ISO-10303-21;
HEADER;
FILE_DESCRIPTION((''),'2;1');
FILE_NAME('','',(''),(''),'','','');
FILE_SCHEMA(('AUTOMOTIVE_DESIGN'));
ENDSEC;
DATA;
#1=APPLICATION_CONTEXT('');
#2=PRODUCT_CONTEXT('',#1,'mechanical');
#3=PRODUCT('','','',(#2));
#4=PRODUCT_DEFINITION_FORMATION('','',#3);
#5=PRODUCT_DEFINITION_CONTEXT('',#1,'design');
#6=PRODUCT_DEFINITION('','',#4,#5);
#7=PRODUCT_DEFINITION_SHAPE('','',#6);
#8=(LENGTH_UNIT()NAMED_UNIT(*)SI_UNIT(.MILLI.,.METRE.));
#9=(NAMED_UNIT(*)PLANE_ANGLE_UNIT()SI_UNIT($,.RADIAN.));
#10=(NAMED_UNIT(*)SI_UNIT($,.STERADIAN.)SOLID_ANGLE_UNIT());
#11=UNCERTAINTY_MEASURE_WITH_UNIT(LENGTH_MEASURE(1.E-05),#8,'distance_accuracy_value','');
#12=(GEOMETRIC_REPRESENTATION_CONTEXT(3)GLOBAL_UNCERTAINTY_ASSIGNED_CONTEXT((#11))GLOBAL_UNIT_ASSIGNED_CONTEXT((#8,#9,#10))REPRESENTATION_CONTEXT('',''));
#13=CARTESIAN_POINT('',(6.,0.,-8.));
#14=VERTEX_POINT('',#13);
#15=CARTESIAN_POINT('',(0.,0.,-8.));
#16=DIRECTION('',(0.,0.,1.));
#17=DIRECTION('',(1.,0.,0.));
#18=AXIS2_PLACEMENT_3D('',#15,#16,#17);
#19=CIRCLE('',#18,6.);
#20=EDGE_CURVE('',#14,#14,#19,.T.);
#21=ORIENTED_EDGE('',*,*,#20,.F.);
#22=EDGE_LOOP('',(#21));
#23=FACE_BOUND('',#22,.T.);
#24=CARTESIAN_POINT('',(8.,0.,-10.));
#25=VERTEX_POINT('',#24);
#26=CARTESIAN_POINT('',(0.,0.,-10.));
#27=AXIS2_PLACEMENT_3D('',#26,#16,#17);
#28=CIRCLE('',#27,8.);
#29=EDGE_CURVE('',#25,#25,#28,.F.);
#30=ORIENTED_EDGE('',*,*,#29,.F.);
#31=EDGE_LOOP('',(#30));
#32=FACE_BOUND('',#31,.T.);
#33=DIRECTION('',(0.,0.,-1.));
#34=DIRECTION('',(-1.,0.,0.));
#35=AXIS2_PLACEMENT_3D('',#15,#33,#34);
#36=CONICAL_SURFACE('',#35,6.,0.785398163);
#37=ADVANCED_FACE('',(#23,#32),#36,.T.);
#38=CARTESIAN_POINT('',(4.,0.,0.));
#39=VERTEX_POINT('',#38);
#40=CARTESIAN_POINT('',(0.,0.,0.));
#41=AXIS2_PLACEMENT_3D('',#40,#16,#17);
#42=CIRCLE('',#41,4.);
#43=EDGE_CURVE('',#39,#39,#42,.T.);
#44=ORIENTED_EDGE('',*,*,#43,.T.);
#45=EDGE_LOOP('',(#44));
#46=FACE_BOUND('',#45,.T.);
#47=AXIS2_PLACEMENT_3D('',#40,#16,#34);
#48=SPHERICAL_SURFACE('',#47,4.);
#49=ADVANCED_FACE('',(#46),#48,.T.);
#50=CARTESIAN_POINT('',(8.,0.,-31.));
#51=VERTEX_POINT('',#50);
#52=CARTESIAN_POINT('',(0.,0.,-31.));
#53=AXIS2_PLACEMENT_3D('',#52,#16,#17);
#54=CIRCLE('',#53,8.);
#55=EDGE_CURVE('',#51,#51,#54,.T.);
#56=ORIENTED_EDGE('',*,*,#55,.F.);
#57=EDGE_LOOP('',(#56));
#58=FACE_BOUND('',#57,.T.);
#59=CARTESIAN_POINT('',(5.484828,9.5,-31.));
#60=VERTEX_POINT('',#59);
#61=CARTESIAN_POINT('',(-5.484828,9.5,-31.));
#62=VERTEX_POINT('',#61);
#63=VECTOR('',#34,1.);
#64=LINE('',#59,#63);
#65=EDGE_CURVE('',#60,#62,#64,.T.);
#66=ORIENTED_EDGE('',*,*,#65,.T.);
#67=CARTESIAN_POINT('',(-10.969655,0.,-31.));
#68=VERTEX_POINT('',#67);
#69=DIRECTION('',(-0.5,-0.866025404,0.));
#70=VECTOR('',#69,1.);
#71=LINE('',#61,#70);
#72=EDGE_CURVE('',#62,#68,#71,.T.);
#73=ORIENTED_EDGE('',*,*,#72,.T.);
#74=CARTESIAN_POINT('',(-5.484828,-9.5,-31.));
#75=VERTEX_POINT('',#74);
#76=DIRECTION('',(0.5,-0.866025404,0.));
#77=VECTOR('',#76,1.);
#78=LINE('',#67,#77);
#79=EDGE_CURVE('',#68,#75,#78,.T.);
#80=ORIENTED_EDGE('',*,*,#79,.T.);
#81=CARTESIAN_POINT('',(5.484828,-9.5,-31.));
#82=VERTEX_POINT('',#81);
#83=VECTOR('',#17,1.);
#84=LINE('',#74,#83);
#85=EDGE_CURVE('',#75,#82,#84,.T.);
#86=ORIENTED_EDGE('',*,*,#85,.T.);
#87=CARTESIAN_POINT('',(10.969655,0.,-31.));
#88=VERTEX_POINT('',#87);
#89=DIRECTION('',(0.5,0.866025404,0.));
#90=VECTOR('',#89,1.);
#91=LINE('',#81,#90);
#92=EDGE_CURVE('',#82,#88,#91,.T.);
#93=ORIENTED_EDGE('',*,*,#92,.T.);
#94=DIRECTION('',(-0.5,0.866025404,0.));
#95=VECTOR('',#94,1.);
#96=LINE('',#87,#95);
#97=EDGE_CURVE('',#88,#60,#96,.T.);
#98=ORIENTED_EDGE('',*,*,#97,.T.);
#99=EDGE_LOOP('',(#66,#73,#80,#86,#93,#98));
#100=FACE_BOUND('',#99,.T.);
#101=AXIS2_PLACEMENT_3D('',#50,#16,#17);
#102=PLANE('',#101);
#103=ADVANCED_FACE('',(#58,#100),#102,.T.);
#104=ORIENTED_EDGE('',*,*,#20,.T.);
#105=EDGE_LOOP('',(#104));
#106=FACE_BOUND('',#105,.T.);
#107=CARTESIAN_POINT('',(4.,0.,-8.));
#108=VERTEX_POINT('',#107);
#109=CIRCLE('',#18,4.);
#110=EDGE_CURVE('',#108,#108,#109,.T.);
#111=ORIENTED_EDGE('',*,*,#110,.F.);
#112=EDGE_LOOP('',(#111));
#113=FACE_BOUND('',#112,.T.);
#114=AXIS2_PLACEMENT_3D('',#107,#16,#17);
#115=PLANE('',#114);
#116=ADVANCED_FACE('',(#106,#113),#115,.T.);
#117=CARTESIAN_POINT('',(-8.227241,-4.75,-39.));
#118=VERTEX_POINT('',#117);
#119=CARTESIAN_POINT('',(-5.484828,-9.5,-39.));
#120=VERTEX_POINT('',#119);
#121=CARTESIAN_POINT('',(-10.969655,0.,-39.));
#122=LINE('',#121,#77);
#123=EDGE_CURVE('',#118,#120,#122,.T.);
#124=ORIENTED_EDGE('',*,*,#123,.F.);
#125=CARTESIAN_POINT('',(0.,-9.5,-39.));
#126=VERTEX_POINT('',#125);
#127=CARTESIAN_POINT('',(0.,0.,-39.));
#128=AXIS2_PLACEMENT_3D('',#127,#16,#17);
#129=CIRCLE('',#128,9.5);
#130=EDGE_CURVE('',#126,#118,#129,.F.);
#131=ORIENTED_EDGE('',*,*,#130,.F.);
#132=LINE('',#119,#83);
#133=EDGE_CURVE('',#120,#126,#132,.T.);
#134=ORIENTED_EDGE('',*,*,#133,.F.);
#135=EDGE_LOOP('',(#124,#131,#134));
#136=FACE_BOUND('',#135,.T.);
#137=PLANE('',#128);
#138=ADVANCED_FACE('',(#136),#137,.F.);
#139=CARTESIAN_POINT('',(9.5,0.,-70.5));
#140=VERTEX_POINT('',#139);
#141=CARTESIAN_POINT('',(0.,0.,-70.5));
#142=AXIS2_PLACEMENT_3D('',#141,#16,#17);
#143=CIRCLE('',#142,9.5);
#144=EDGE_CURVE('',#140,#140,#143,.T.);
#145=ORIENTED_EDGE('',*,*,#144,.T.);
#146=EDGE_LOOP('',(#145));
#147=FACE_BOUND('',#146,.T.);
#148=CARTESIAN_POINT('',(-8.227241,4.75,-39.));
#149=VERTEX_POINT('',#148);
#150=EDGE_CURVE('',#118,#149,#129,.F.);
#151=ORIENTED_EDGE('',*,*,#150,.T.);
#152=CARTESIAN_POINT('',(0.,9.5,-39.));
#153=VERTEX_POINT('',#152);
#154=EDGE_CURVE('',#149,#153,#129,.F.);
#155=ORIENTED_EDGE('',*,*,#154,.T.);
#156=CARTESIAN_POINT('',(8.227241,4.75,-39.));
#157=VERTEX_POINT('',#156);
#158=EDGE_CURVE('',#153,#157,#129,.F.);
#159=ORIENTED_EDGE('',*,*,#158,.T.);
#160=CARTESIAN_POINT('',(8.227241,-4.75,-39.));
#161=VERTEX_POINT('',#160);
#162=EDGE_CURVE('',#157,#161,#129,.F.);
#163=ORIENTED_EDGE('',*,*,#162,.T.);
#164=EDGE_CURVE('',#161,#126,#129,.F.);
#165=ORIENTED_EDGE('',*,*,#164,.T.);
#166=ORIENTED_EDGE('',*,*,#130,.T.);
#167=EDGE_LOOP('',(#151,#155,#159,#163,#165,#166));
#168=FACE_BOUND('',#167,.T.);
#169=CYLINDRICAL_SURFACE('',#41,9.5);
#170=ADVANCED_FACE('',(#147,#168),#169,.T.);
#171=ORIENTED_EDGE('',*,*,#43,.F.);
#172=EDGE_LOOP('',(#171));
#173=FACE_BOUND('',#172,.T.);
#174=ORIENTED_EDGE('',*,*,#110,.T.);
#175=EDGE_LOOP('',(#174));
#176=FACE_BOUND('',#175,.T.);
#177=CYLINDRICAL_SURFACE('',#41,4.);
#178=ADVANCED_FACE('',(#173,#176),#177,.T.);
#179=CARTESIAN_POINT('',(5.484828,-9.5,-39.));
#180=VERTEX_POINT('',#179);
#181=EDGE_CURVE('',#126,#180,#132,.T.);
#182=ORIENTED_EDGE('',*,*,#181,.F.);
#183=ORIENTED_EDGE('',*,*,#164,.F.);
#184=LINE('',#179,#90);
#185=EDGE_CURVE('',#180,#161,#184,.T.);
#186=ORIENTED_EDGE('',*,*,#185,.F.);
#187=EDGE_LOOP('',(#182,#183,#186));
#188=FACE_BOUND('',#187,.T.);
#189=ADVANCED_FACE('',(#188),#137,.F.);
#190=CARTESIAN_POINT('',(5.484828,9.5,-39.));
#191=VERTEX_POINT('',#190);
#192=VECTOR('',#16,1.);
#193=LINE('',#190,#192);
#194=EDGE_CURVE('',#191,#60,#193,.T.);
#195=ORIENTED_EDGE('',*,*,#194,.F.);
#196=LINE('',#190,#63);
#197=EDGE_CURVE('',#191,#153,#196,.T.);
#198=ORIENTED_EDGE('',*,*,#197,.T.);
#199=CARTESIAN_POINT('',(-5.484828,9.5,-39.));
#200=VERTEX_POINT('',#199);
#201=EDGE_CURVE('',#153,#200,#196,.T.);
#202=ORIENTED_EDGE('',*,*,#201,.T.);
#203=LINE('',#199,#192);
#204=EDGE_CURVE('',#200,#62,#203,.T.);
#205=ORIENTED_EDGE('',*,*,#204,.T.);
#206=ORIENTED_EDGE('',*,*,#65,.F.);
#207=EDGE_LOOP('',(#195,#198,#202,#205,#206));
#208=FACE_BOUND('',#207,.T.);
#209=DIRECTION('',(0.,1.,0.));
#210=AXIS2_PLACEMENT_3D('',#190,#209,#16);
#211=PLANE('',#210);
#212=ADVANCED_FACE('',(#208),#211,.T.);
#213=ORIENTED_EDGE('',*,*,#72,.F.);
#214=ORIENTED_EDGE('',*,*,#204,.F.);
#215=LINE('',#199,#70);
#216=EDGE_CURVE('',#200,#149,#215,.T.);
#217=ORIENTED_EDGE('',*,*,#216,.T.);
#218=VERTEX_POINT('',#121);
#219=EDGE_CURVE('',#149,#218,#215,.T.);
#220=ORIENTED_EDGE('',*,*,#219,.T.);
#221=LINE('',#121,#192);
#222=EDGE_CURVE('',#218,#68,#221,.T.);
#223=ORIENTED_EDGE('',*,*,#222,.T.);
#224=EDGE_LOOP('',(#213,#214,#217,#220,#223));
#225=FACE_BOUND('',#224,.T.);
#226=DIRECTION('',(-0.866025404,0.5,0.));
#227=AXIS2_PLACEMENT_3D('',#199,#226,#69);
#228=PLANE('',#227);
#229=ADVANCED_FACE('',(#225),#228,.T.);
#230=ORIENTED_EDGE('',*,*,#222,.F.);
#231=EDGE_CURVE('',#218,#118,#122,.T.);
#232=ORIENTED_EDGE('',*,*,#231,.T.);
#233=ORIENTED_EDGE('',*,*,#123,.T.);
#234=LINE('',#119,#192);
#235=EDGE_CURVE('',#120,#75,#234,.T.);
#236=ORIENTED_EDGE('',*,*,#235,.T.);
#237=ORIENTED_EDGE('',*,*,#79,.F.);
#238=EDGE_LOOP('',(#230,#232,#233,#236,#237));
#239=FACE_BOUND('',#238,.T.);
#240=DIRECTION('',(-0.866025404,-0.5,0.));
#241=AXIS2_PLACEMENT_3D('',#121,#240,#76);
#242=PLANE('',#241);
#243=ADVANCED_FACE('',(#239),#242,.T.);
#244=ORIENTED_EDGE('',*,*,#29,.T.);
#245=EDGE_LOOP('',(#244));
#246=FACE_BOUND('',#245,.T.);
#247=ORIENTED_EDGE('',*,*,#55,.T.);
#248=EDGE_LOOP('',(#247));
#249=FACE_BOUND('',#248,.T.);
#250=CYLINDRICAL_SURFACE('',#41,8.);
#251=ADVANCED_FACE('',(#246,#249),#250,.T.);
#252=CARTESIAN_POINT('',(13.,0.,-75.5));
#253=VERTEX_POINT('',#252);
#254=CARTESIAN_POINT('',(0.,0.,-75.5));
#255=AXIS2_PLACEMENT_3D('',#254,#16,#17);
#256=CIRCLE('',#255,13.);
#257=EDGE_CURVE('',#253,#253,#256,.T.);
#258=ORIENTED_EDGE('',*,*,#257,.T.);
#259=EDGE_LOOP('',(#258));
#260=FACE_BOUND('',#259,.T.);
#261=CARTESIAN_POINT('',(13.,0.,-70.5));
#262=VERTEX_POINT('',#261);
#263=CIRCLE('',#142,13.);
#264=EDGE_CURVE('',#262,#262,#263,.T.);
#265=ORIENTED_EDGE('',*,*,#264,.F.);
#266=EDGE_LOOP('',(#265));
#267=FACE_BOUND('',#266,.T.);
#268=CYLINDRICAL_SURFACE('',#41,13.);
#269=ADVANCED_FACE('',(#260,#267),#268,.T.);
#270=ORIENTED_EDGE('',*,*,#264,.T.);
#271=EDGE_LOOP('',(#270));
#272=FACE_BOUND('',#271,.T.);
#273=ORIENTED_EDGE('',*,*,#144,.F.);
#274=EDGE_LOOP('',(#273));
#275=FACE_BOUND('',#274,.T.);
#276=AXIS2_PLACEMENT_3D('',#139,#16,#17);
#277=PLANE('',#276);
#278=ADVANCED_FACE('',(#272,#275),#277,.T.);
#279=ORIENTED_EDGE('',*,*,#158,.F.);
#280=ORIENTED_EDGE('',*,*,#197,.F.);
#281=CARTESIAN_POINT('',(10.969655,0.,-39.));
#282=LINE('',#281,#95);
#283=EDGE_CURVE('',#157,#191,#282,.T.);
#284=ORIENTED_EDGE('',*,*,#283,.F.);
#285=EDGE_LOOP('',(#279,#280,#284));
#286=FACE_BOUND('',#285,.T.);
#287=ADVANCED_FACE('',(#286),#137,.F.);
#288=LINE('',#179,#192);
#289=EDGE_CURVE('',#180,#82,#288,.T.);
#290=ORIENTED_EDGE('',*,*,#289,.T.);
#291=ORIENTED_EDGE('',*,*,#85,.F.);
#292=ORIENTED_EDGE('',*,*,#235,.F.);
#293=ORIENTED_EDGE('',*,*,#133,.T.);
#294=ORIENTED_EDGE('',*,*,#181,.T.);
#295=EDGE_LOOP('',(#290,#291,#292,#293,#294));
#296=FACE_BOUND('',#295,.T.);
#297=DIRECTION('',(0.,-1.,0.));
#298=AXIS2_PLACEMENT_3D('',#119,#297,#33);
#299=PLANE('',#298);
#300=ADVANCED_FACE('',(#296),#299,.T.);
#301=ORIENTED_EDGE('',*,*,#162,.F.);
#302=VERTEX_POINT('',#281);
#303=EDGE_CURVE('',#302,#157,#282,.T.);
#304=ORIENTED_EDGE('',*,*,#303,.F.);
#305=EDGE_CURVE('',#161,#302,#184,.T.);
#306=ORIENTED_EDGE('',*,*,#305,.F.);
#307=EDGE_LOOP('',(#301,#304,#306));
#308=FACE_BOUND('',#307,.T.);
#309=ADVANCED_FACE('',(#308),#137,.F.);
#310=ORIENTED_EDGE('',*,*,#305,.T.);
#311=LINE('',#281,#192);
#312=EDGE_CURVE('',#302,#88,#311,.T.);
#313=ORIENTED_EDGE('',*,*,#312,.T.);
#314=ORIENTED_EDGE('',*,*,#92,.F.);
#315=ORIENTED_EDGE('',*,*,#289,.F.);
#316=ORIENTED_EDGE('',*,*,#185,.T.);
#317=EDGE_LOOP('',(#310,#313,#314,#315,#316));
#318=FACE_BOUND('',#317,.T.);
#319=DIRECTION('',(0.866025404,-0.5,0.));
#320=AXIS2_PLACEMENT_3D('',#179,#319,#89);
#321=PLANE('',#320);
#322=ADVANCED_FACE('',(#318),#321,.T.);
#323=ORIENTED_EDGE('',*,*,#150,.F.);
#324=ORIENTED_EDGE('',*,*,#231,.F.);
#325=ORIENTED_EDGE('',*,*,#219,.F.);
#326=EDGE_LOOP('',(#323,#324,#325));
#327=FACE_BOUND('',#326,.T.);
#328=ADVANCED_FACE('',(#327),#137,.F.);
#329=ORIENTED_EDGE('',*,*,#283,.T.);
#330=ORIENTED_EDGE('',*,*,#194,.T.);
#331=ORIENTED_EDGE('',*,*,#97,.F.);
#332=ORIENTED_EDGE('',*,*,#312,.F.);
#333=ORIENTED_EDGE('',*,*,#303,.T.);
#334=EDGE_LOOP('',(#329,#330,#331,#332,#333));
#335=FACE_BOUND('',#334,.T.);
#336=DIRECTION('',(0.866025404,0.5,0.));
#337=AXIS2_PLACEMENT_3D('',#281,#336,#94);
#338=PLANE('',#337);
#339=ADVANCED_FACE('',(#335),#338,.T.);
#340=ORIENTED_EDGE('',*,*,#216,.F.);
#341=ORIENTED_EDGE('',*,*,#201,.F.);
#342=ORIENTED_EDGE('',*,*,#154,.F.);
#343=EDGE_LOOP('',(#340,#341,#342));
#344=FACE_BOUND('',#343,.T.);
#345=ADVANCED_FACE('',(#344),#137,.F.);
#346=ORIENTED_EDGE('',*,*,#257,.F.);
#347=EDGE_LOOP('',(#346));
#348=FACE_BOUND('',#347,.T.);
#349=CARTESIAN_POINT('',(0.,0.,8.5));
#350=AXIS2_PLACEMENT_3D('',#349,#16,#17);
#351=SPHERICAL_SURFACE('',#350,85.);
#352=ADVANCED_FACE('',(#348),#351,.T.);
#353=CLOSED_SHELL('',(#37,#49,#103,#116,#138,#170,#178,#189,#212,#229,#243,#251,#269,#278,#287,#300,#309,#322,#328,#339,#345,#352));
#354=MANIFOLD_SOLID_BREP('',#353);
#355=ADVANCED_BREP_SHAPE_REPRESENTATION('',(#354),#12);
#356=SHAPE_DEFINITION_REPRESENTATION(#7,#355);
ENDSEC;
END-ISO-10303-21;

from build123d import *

# Parameters (mm, degrees)
EXTRUDE_1_DEPTH = 8
CHAMFER_1_SIZE  = 2


with BuildPart() as part:
    # 草图1 → 旋转1 (revolve)
    with BuildSketch(Plane(origin=(0, 0, 0), x_dir=(1, 0, 0), z_dir=(0, 1, 0))):
        with BuildLine():
            Line((4, 0), (4, 8))
            Line((4, 8), (8, 8))
            Line((8, 8), (8, 31))
            Line((8, 31), (9.5, 31))
            Line((9.5, 31), (9.5, 70.5))
            Line((9.5, 70.5), (13, 70.5))
            Line((13, 70.5), (13, 75.5))
            ThreePointArc((13, 75.5), (6.519202405, 76.249631268), (0, 76.5))
            Line((0, 76.5), (0, -4))
            ThreePointArc((0, -4), (2.828427125, -2.828427125), (4, 0))
        make_face()
    revolve(axis=Axis((0, 0, 0), (0, 0, -1)))

    # 草图2 → 凸台-拉伸1 (add)
    with BuildSketch(Plane.XY.offset(-31)):
        Polygon((10.969655115, 0), (5.484827557, 9.5), (-5.484827557, 9.5), (-10.969655115, 0), (-5.484827557, -9.5), (5.484827557, -9.5), align=None)
    extrude(amount=-EXTRUDE_1_DEPTH)

    # 倒角1
    chamfer_1_edges = [part.edges().sort_by_distance(p)[0] for p in [
        (-8, 0, -8),
    ]]
    chamfer(chamfer_1_edges, length=CHAMFER_1_SIZE)


solid = part.part
